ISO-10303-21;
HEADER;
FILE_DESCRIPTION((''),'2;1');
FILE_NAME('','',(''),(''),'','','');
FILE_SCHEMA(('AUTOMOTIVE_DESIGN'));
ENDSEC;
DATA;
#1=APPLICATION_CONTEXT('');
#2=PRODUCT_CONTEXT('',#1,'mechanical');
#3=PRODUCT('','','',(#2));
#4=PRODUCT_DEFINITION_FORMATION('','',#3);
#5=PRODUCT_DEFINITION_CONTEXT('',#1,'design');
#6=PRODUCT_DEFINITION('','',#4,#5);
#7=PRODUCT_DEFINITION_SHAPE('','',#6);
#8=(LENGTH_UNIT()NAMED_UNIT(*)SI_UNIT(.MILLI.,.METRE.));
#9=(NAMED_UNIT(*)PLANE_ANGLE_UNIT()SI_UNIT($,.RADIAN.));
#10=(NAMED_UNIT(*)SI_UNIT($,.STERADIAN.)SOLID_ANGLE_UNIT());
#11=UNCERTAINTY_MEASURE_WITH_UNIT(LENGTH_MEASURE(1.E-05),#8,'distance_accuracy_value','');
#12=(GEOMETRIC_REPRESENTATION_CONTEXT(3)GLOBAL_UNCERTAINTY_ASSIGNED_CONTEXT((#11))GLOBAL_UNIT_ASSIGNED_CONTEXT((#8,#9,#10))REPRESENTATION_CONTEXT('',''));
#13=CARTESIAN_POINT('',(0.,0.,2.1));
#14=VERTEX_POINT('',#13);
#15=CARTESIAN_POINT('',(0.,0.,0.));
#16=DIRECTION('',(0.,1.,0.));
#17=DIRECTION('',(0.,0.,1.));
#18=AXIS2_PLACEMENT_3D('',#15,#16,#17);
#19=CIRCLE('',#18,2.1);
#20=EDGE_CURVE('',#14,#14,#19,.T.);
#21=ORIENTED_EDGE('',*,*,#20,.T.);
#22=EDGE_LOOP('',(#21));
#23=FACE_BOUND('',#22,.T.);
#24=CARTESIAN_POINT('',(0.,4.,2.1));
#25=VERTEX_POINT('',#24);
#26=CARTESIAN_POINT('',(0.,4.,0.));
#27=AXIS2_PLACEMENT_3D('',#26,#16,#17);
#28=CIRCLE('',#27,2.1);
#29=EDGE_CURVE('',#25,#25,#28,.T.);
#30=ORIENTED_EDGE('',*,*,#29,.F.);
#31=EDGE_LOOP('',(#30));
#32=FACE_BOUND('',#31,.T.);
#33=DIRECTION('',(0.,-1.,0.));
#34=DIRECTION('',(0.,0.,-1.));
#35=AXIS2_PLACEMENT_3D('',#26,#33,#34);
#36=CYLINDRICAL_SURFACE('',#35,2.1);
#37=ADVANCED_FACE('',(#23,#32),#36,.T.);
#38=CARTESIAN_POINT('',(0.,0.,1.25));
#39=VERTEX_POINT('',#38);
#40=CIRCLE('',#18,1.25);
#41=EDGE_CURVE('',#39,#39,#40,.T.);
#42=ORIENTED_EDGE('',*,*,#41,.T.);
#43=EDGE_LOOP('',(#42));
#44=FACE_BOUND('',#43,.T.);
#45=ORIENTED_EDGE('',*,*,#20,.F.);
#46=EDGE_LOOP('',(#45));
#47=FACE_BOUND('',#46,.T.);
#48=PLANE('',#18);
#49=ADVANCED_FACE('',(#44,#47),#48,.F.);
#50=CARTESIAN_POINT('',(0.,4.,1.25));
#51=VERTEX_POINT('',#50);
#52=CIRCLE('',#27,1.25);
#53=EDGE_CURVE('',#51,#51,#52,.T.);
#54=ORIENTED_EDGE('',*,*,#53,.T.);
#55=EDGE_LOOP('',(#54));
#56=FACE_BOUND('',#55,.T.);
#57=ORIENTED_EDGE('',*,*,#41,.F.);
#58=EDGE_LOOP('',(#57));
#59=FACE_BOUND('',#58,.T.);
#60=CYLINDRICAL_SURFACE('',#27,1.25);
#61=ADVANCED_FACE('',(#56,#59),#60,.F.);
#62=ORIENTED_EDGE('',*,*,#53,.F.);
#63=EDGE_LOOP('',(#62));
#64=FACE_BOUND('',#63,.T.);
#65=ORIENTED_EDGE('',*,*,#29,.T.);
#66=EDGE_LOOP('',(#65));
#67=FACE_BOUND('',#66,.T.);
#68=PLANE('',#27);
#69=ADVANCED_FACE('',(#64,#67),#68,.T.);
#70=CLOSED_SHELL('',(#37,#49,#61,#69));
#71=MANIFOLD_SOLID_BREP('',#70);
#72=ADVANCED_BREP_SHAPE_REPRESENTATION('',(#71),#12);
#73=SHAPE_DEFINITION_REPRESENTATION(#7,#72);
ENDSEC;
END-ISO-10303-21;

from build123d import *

# Parameters (mm, degrees)
SKETCH_1_R        = 2.1
EXTRUDE_1_DEPTH   = 4
HOLE_WIZARD_M31_D = 2.5


with BuildPart() as part:
    # Эскиз1 → Бобышка-Вытянуть1 (new body)
    with BuildSketch(Plane(origin=(0, 0, 0), x_dir=(1, 0, 0), z_dir=(0, 1, 0))):
        with Locations(Location((0, 0, 0), (0, 0, 270))):
            Circle(SKETCH_1_R)
    extrude(amount=EXTRUDE_1_DEPTH)

    # Отверстие обработанное метчиком M31 (through all)
    with Locations(Plane(origin=(0, 4, 0), x_dir=(1, 0, 0), z_dir=(0, 1, 0))):
        with Locations((0, 0)):
            Hole(HOLE_WIZARD_M31_D / 2)


solid = part.part
